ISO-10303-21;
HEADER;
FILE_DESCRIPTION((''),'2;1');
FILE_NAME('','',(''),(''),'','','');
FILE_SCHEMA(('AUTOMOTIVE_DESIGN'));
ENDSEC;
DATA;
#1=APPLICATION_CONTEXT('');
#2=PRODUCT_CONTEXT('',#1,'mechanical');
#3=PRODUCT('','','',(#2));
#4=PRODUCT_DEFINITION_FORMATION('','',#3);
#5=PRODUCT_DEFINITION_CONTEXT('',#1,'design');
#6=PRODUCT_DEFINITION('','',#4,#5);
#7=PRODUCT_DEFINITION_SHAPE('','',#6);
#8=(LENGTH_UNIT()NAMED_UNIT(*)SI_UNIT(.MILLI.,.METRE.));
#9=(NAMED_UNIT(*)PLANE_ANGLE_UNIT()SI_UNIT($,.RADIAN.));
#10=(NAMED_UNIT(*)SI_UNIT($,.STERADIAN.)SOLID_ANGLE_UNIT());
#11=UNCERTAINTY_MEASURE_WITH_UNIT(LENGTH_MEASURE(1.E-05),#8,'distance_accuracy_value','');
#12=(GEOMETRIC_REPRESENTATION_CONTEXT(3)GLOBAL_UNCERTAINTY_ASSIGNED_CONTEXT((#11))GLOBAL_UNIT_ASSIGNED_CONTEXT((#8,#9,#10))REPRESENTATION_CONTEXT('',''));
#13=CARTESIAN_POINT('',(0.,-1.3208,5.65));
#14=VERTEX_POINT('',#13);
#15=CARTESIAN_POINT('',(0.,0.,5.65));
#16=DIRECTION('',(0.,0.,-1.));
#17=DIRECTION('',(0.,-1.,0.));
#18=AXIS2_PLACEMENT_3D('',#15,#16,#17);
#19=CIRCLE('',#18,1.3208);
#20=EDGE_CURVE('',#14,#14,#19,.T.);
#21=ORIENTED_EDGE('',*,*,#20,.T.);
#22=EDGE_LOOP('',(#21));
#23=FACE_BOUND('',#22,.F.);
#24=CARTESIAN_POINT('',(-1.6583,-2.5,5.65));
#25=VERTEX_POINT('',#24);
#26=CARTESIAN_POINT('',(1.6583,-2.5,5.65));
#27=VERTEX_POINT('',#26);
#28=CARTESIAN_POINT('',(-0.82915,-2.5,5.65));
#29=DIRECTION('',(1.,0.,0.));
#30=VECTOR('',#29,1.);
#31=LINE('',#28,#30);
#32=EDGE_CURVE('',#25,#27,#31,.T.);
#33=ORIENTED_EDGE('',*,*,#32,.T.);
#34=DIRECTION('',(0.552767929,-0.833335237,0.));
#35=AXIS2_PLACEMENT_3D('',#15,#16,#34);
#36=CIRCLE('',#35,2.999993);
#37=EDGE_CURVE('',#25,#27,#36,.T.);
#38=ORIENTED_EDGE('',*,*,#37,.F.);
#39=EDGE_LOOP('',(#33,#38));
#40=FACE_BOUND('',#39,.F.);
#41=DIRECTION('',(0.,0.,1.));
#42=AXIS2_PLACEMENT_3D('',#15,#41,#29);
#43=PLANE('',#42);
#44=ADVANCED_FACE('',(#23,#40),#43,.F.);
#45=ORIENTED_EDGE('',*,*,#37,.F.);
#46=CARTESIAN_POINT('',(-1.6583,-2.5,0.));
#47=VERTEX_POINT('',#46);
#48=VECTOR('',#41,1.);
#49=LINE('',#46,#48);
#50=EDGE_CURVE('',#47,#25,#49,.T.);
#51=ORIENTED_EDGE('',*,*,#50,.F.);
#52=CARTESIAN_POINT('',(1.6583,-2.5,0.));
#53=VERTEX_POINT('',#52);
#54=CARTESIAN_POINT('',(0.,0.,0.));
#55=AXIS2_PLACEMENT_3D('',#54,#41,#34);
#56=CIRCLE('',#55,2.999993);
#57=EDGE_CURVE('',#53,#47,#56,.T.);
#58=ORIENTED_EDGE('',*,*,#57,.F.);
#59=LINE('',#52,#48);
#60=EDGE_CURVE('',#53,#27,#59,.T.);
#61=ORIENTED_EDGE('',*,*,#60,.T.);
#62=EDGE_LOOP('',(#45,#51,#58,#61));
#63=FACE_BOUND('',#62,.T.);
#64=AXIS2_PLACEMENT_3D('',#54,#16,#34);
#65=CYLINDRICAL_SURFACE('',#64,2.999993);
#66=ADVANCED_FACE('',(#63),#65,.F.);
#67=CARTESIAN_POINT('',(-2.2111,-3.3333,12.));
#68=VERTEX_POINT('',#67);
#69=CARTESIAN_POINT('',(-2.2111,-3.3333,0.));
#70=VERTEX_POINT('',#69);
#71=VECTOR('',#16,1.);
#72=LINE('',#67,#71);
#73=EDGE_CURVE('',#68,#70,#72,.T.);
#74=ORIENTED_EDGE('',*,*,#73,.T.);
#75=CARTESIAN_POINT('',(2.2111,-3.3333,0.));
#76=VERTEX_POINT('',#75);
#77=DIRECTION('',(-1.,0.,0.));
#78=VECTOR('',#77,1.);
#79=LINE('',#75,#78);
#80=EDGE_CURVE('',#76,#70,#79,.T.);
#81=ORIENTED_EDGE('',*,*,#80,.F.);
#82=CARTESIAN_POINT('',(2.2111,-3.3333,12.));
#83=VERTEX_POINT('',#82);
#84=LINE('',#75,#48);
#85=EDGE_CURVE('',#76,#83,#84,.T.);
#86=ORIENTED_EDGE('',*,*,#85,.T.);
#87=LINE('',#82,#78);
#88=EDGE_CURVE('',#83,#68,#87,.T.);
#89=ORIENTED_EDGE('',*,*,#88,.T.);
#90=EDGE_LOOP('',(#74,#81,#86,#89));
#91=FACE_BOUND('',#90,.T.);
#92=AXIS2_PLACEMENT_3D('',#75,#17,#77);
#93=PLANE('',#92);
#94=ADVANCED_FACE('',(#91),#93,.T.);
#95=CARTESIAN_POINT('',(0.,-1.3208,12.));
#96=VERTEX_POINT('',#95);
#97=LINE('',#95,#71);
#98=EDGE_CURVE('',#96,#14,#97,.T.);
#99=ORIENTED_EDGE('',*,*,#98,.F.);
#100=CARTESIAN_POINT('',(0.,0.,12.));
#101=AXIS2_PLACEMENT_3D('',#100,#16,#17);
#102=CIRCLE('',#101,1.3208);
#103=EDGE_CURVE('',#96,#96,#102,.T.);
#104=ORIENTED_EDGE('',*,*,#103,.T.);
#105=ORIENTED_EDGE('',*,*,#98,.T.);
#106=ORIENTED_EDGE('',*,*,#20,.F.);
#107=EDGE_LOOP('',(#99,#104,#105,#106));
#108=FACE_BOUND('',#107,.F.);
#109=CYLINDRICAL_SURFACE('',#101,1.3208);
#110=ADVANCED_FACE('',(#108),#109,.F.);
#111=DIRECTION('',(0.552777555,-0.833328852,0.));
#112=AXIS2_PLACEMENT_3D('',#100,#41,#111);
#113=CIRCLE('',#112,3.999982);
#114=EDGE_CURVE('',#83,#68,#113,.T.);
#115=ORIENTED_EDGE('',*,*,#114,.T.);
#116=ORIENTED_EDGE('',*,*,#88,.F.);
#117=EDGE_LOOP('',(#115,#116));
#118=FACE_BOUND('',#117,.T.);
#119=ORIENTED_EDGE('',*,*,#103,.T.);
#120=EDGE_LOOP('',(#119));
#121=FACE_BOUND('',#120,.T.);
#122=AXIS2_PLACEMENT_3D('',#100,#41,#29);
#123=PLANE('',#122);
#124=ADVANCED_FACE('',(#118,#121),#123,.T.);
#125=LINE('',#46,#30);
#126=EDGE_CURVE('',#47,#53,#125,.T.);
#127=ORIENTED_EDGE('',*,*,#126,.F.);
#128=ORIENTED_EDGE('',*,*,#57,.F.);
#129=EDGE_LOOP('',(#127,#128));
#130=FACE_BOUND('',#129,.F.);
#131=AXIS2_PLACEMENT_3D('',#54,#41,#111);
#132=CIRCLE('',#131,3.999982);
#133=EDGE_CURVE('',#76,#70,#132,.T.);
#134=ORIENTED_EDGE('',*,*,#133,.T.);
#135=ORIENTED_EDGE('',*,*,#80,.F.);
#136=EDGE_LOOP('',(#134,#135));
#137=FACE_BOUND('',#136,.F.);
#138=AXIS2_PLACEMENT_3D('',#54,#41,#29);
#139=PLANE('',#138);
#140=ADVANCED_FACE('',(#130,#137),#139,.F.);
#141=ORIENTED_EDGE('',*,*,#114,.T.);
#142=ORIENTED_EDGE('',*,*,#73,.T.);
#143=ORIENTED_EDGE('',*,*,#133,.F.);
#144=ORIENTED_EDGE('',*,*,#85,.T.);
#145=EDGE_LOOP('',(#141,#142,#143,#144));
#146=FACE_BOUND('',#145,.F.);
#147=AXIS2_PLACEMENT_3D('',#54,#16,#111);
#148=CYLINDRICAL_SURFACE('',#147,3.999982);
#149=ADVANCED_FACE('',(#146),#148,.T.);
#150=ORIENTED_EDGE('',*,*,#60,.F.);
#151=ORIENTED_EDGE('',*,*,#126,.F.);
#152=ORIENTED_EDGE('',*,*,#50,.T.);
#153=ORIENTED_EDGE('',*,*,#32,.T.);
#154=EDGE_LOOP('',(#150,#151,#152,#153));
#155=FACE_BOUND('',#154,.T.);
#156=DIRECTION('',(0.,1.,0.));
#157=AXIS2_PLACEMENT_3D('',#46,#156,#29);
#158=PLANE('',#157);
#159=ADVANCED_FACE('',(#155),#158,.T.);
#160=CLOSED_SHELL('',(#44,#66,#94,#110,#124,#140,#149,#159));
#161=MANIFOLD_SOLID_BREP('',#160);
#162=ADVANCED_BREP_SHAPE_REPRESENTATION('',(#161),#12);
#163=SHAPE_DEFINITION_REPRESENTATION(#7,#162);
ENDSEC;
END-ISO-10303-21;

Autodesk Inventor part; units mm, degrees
ref_plane "YZ Plane" through (0, 0, 0) normal (1, 0, 0) x (0, 1, 0)
ref_plane "XZ Plane" through (0, 0, 0) normal (0, 1, 0) x (-1, 0, 0)
ref_plane "XY Plane" through (0, 0, 0) normal (0, 0, 1) x (1, 0, 0)
sketch "Sketch1" plane through (0, 0, 0) normal (0, 0, 1) x (1, 0, 0)
  line L0 (-1.6583, -2.5) -> (1.6583, -2.5)
  arc A0 (1.6583, -2.5) -> (-1.6583, -2.5) centre (0, 0) ccw
  arc A1 (2.2111, -3.3333) -> (-2.2111, -3.3333) centre (0, 0) ccw
  line L1 (2.2111, -3.3333) -> (-2.2111, -3.3333)
  dimension "d0" = 1
  dimension "d1" = 3
  dimension "d2" = 3.3166
  dimension "d3" = 0.8333
  dimension "d4" = 3.3333
  dimension "d5" = 3.3333
  dimension "d6" = 4
  dimension "d7" = 0
extrude "Extrusion1" add sketch "Sketch1" along normal blind 12
sketch "Sketch2" plane through (0, 0, 12) normal (0, 0, 1) x (1, 0, 0)
  arc A0 (2.2111, -3.3333) -> (-2.2111, -3.3333) centre (0, 0) ccw projected
  line L0 (-2.2111, -3.3333) -> (2.2111, -3.3333) projected
extrude "Extrusion2" add sketch "Sketch2" against normal blind 6.35
sketch "Sketch3" plane through (0, 0, 12) normal (0, 0, 1) x (1, 0, 0)
  point P0 (0, 0)
hole "Hole1" at (0, 0, 12) direction (0, 0, -1) diameter 2.6416 end through all thread size "6-32 UNC" class "2B" standard "ANSI Unified Screw Threads"
properties part number "ShaftD6Female-632Female"
